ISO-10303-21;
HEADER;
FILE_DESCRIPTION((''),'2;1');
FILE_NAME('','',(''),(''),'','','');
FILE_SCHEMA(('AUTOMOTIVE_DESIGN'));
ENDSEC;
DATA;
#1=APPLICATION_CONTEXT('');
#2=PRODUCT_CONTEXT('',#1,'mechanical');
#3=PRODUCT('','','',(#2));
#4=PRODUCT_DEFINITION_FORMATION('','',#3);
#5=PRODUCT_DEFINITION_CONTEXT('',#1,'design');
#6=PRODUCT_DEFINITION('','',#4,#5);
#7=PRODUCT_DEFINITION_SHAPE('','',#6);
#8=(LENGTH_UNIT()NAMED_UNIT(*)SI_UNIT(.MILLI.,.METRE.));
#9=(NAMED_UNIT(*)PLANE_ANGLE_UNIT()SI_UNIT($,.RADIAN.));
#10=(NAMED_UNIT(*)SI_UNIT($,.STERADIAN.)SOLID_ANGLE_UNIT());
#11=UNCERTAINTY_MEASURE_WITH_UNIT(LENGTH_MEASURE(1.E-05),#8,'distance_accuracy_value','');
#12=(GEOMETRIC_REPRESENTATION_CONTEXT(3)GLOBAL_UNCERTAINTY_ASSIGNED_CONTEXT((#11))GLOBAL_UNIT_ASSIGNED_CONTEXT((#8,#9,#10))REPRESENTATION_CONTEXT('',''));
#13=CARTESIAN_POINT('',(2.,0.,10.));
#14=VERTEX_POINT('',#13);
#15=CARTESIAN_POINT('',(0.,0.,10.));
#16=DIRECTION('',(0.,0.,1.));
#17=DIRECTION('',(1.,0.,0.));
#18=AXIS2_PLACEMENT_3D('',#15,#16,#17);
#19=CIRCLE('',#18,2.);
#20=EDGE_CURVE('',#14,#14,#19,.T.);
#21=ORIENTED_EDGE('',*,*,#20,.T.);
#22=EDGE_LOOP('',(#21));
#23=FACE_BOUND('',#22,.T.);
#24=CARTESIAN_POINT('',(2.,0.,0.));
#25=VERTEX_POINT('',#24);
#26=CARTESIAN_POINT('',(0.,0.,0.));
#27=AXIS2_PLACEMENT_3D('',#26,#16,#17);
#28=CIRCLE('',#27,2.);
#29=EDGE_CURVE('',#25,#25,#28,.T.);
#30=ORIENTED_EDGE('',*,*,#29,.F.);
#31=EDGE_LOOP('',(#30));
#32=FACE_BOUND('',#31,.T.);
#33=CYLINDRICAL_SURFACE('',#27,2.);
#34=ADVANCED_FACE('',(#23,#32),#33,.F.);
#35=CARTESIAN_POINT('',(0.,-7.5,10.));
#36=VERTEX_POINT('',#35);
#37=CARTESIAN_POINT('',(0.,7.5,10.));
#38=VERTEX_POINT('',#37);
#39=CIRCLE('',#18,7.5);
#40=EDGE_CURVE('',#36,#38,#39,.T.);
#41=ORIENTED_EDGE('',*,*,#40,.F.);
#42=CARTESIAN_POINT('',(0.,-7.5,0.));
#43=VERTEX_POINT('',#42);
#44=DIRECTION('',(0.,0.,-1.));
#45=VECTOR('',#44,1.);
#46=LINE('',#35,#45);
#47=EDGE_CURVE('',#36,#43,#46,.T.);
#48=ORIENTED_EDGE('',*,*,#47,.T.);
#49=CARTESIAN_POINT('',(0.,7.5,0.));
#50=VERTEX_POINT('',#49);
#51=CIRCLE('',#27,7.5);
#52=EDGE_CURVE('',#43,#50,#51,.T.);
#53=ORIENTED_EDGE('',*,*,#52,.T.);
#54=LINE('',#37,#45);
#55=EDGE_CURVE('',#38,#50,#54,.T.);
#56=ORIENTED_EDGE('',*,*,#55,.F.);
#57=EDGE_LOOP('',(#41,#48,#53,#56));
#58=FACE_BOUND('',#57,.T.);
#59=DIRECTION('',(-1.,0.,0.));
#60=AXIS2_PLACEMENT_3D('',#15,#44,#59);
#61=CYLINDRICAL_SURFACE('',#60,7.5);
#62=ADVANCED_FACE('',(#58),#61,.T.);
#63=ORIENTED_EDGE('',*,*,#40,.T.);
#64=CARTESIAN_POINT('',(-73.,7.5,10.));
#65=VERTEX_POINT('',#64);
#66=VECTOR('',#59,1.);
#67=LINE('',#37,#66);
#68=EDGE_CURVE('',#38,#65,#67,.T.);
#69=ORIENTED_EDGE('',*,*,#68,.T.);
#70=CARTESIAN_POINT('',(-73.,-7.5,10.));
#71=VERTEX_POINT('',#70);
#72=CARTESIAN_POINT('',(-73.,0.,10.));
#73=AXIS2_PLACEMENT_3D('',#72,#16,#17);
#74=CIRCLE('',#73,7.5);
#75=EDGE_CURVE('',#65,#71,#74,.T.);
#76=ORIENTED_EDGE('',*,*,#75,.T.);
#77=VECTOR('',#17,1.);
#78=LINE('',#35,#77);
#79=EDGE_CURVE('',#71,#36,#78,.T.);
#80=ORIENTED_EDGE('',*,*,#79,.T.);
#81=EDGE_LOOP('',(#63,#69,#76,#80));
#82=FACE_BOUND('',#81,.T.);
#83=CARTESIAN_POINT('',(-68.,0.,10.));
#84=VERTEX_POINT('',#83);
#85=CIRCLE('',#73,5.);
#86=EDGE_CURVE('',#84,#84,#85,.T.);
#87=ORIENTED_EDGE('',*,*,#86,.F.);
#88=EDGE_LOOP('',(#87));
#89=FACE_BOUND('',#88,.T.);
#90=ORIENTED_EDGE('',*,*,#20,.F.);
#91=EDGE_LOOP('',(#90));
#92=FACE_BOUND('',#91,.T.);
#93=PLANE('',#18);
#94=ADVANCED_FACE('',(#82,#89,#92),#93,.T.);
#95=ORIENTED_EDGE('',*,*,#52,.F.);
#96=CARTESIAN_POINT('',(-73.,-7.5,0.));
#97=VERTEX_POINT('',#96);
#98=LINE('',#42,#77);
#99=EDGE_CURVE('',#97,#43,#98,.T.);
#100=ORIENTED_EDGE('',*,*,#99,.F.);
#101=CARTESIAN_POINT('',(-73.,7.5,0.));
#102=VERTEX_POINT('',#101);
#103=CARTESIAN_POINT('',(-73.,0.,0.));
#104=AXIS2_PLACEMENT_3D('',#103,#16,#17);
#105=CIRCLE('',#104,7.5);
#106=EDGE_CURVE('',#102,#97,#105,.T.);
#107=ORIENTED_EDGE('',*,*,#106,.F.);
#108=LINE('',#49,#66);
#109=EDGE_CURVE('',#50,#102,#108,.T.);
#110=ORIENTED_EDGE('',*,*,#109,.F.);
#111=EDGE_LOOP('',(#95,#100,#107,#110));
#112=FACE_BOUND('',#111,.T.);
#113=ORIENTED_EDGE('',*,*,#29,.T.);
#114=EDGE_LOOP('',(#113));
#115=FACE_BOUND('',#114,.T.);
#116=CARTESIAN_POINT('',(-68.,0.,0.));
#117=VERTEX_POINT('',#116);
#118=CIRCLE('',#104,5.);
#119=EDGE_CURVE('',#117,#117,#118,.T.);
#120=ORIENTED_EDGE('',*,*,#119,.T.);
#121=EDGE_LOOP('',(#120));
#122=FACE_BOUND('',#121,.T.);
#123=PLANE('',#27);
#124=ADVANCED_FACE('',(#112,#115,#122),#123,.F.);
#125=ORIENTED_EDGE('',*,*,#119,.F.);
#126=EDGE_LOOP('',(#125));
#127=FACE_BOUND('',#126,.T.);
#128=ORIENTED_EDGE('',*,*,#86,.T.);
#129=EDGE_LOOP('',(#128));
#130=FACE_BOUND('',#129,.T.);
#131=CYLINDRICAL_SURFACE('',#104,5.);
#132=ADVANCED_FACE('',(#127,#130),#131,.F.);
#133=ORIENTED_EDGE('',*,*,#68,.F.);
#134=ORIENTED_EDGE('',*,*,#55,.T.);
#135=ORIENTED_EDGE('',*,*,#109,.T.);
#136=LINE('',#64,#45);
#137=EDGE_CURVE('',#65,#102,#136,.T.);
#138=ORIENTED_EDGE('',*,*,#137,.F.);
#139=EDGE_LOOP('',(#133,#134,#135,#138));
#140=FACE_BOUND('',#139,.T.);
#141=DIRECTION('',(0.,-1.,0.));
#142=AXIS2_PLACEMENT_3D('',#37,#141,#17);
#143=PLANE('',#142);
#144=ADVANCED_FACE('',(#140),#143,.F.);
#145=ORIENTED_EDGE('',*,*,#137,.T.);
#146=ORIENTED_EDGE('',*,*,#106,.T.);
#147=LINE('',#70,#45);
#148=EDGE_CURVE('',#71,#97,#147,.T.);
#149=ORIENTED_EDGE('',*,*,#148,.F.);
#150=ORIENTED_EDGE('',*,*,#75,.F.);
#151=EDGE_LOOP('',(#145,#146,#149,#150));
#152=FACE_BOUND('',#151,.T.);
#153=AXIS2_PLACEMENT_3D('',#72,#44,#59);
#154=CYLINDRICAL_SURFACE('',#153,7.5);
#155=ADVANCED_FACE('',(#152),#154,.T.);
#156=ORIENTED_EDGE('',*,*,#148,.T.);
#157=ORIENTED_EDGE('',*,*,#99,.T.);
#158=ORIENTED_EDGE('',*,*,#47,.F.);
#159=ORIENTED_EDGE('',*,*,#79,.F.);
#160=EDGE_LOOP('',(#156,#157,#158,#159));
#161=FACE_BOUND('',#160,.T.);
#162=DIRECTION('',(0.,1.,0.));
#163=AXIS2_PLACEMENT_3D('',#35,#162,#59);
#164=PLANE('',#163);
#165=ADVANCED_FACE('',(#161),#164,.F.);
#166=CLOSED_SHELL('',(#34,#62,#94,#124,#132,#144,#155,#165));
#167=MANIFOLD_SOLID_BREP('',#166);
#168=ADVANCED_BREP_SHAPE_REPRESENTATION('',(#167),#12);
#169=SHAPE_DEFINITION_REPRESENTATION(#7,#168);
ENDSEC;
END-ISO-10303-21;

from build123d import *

# Parameters (mm, degrees)
BOSS_EXTRU_1_DEPTH      = 10
ESQUISSE2_R             = 5
ESQUISSE2_R_2           = 2
ENL_V_MAT_EXTRU_1_DEPTH = 82.464716289


with BuildPart() as part:
    # Esquisse1 → Boss.-Extru.1 (new body)
    with BuildSketch(Plane.XY):
        with BuildLine():
            Line((0, -7.5), (-73, -7.5))
            ThreePointArc((-73, -7.5), (-80.5, 0), (-73, 7.5))
            Line((-73, 7.5), (0, 7.5))
            ThreePointArc((0, 7.5), (7.5, 0), (0, -7.5))
        make_face()
    extrude(amount=BOSS_EXTRU_1_DEPTH)

    # Esquisse2 → Enlèv. mat.-Extru.1 (cut, through all)
    with BuildSketch(Plane.XY.offset(10)):
        with Locations((-73, 0)):
            Circle(ESQUISSE2_R)
        Circle(ESQUISSE2_R_2)
    extrude(amount=-ENL_V_MAT_EXTRU_1_DEPTH, mode=Mode.SUBTRACT)


solid = part.part
